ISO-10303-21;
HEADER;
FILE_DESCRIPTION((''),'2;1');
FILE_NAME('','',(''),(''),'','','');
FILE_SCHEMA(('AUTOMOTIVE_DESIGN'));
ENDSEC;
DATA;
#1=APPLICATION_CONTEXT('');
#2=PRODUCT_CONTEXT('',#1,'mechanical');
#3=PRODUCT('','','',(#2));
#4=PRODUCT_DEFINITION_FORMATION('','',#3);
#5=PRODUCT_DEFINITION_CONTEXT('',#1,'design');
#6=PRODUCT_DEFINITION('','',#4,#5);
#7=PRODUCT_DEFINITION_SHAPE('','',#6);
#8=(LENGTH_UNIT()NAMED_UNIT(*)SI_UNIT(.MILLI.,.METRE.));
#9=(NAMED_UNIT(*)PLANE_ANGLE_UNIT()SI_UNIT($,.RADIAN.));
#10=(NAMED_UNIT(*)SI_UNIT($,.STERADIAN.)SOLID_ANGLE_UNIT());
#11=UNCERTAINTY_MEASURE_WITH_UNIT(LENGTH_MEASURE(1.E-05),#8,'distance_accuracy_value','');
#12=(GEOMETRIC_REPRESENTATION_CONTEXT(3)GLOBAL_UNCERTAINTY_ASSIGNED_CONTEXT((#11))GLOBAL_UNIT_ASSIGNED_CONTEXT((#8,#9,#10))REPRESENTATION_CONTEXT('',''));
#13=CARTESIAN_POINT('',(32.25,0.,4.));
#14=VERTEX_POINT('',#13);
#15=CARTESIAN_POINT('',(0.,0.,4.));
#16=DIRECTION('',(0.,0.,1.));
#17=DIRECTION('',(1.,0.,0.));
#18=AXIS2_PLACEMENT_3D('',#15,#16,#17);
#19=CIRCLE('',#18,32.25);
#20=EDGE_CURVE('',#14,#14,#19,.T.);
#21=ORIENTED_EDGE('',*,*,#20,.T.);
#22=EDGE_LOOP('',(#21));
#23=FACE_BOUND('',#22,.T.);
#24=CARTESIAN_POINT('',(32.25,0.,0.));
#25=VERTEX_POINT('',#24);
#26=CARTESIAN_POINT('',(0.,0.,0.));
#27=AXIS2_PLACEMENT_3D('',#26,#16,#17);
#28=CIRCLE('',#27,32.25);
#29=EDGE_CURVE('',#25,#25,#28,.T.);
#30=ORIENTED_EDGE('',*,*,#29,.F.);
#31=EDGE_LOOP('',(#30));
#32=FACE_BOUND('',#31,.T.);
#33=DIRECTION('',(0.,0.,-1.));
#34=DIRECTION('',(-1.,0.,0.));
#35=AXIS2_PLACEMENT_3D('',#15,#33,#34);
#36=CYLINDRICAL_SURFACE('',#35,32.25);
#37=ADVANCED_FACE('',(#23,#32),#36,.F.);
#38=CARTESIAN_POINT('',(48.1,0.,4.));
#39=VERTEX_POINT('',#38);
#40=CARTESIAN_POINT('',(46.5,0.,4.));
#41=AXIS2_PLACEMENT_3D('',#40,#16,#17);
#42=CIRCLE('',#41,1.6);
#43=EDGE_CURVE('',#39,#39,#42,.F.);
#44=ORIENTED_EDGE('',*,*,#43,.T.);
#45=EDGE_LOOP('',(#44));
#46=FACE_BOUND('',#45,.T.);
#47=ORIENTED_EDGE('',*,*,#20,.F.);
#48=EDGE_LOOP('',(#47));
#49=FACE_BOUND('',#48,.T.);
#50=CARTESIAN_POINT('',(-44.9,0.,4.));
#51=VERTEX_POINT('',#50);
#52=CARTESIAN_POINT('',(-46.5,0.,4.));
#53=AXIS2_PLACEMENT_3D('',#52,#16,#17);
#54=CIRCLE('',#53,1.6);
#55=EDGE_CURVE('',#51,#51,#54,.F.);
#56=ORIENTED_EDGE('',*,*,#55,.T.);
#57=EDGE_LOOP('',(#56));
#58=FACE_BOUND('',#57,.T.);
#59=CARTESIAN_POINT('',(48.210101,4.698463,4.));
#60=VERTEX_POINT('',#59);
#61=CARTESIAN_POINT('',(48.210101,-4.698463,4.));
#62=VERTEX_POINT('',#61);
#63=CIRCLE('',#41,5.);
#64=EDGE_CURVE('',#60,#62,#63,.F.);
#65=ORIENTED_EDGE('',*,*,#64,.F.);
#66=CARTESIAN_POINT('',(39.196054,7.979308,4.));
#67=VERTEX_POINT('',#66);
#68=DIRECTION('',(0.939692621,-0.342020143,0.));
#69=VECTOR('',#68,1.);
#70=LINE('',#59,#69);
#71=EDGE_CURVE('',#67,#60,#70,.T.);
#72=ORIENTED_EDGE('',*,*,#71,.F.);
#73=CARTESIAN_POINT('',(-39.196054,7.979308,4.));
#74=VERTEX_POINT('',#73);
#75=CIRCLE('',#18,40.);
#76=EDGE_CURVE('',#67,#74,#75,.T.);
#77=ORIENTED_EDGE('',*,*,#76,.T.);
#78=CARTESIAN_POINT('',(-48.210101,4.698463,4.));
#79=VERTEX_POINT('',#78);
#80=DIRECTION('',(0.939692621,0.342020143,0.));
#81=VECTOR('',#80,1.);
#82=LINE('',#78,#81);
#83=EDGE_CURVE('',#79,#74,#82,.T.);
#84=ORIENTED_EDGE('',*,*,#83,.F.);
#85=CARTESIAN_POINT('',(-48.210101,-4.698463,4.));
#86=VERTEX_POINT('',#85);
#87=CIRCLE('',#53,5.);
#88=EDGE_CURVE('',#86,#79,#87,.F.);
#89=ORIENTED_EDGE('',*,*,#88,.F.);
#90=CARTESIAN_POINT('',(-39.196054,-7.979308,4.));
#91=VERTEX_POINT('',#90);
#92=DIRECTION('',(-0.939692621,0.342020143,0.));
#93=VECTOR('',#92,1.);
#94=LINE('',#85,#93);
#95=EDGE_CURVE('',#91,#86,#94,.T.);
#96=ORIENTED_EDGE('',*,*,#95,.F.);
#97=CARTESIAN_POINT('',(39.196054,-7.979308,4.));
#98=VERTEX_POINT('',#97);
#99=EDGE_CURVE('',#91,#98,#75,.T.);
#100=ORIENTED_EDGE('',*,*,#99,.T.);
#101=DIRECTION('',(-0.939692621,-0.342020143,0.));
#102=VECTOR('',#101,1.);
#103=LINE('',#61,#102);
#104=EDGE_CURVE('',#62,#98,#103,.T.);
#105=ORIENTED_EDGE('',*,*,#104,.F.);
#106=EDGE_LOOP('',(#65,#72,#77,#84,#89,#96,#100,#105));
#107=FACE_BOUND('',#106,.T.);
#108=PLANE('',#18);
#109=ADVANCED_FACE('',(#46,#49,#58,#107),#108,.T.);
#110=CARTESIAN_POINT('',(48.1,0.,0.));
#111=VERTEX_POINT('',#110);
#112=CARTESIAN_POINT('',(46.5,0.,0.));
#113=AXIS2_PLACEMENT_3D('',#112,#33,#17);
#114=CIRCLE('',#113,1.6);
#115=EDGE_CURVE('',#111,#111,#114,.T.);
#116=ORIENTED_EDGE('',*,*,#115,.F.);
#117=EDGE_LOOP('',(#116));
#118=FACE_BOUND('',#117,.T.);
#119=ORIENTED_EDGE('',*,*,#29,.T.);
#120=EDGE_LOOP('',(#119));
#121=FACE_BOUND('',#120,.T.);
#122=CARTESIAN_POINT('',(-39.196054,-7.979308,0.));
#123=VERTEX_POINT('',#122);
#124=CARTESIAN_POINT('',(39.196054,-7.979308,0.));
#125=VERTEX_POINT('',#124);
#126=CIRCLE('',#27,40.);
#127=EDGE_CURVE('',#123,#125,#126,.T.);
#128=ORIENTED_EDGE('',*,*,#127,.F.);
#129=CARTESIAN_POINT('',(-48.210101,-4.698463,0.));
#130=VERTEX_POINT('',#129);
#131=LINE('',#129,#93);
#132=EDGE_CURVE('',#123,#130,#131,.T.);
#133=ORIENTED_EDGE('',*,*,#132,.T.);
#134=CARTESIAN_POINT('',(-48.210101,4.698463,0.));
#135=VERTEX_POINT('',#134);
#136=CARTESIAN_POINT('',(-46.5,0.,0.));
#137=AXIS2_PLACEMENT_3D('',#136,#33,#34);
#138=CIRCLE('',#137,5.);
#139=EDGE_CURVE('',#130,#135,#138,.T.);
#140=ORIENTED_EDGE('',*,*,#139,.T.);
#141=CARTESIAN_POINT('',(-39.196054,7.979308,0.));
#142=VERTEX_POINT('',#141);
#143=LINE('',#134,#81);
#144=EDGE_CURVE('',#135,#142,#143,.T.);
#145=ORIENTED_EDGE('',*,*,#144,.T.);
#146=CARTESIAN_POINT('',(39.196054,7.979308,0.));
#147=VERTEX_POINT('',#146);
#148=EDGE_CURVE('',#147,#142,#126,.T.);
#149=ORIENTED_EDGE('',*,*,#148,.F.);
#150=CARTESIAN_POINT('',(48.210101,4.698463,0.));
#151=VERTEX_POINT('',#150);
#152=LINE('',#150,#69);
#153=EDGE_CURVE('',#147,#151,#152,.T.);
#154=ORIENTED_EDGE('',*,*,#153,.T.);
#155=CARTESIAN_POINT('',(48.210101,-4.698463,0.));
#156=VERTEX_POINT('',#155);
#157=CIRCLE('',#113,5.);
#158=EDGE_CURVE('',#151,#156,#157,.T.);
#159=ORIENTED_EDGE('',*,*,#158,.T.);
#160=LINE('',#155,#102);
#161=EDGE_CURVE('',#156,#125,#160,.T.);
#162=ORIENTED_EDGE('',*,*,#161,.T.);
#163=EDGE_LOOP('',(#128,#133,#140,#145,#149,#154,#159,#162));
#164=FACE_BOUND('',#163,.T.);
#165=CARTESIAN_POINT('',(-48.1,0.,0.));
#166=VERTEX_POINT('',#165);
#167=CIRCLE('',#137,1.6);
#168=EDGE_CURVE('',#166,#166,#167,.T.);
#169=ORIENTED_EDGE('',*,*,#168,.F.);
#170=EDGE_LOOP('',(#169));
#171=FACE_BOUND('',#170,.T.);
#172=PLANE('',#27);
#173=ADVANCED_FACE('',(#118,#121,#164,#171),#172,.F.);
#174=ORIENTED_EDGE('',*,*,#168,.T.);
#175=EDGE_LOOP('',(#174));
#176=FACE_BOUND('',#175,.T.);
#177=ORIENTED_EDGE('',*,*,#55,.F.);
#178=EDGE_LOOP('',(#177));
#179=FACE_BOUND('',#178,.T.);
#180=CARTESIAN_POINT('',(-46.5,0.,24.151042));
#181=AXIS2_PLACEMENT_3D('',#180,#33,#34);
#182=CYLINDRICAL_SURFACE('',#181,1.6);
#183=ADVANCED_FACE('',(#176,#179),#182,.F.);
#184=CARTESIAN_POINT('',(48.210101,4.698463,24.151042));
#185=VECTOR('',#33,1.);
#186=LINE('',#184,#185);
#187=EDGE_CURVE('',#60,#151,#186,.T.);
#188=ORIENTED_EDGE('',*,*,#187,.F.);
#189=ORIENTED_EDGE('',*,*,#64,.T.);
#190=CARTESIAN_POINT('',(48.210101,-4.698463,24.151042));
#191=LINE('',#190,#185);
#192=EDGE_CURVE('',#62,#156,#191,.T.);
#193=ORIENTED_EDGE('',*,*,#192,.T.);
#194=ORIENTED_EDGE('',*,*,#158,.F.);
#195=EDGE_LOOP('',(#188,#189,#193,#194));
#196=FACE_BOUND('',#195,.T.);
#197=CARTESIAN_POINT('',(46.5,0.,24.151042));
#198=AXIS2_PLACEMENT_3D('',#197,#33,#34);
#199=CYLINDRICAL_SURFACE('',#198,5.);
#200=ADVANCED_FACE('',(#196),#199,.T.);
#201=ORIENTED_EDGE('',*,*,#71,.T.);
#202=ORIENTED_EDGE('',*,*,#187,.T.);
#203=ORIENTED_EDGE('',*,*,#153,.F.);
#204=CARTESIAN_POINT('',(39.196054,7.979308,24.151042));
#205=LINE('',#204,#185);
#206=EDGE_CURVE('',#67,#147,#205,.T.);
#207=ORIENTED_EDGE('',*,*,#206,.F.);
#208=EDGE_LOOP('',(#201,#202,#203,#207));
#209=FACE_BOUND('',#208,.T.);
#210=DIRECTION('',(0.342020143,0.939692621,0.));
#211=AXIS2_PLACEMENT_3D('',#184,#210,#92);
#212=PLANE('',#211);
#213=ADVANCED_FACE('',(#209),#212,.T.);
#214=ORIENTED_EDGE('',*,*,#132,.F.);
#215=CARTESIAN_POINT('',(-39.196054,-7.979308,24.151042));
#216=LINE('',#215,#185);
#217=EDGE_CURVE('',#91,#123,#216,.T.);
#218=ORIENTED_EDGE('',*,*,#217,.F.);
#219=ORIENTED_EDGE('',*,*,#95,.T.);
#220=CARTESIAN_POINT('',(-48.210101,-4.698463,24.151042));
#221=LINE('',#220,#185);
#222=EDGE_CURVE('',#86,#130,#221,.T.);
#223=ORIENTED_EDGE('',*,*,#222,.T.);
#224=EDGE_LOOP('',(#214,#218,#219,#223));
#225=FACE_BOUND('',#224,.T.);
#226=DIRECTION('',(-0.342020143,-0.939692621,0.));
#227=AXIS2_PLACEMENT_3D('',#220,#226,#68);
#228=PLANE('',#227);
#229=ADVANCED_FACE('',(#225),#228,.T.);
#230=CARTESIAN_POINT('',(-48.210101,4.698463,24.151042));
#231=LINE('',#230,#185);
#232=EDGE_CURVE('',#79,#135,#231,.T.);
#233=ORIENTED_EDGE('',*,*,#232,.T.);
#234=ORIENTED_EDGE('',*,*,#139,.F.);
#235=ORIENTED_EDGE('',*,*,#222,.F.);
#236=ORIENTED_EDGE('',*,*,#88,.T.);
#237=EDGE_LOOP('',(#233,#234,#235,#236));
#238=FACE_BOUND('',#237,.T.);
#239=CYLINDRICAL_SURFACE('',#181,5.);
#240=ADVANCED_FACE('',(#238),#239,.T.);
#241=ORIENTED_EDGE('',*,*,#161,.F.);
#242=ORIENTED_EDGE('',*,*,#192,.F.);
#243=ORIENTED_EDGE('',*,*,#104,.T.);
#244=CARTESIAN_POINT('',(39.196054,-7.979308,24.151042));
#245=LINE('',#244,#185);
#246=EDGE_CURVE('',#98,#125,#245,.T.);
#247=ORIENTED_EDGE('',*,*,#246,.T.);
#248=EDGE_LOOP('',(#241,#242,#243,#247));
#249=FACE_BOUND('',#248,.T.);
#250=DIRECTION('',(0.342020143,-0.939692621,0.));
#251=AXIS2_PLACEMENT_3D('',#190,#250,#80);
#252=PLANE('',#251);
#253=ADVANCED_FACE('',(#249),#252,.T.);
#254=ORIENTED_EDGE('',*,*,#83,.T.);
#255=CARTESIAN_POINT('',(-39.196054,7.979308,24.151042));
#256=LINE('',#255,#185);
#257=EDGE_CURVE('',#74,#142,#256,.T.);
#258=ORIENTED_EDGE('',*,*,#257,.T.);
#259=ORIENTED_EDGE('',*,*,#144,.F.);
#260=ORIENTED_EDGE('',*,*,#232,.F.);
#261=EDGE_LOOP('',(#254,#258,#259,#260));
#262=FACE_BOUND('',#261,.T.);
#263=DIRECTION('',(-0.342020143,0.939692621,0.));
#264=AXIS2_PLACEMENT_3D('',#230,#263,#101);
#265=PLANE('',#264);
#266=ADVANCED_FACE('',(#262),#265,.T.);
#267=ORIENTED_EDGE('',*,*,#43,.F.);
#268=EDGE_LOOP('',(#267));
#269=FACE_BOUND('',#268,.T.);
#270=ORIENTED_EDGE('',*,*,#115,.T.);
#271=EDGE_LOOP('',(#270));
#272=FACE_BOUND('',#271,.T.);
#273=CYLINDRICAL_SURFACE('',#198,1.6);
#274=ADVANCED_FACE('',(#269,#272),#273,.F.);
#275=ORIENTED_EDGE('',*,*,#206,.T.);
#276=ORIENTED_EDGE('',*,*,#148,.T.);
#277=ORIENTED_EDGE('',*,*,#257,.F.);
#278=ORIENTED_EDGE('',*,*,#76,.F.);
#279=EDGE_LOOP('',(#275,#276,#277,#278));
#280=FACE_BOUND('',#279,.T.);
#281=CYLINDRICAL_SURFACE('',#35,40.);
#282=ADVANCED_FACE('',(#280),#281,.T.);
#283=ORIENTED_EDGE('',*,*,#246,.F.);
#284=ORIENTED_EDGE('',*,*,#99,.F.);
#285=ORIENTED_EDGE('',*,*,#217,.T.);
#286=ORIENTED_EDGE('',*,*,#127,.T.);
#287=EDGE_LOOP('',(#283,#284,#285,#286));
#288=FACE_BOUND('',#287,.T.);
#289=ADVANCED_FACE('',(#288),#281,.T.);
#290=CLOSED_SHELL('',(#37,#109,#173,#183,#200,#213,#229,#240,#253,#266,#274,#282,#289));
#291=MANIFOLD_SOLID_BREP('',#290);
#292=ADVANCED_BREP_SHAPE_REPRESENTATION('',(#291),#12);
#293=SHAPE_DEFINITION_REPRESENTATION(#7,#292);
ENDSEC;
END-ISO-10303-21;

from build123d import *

# Parameters (mm, degrees)
SKETCH_1_R      = 40
SKETCH_1_R_2    = 32.25
EXTRUDE_1_DEPTH = 4
SKETCH_2_R      = 1.6
EXTRUDE_2_DEPTH = 4


with BuildPart() as part:
    # 草图1 → 凸台-拉伸1 (new body)
    with BuildSketch(Plane.XY):
        Circle(SKETCH_1_R)
        Circle(SKETCH_1_R_2, mode=Mode.SUBTRACT)
    extrude(amount=EXTRUDE_1_DEPTH)

    # 草图2 → 凸台-拉伸2 (add)
    # profile 1 of 2: a face of its own
    with BuildSketch(Plane(origin=(0, 0, 0), x_dir=(-1, 0, 0), z_dir=(0, 0, -1))):
        with BuildLine():
            Line((48.210100717, 4.698463104), (39.196053971, 7.97930781))
            ThreePointArc((39.196053971, 7.97930781), (40, 0), (39.196053971, -7.97930781))
            Line((39.196053971, -7.97930781), (48.210100717, -4.698463104))
            ThreePointArc((48.210100717, -4.698463104), (51.5, 0), (48.210100717, 4.698463104))
        make_face()
        with Locations((46.5, 0)):
            Circle(SKETCH_2_R, mode=Mode.SUBTRACT)
    # profile 2 of 2: a face of its own
    with BuildSketch(Plane(origin=(0, 0, 0), x_dir=(-1, 0, 0), z_dir=(0, 0, -1))):
        with BuildLine():
            Line((-48.210100717, -4.698463104), (-39.196053971, -7.97930781))
            ThreePointArc((-39.196053971, -7.97930781), (-40, 0), (-39.196053971, 7.97930781))
            Line((-39.196053971, 7.97930781), (-48.210100717, 4.698463104))
            ThreePointArc((-48.210100717, 4.698463104), (-51.5, 0), (-48.210100717, -4.698463104))
        make_face()
        with Locations(Location((-46.5, 0, 0), (0, 0, 180))):
            Circle(SKETCH_2_R, mode=Mode.SUBTRACT)
    extrude(amount=-EXTRUDE_2_DEPTH)


solid = part.part
